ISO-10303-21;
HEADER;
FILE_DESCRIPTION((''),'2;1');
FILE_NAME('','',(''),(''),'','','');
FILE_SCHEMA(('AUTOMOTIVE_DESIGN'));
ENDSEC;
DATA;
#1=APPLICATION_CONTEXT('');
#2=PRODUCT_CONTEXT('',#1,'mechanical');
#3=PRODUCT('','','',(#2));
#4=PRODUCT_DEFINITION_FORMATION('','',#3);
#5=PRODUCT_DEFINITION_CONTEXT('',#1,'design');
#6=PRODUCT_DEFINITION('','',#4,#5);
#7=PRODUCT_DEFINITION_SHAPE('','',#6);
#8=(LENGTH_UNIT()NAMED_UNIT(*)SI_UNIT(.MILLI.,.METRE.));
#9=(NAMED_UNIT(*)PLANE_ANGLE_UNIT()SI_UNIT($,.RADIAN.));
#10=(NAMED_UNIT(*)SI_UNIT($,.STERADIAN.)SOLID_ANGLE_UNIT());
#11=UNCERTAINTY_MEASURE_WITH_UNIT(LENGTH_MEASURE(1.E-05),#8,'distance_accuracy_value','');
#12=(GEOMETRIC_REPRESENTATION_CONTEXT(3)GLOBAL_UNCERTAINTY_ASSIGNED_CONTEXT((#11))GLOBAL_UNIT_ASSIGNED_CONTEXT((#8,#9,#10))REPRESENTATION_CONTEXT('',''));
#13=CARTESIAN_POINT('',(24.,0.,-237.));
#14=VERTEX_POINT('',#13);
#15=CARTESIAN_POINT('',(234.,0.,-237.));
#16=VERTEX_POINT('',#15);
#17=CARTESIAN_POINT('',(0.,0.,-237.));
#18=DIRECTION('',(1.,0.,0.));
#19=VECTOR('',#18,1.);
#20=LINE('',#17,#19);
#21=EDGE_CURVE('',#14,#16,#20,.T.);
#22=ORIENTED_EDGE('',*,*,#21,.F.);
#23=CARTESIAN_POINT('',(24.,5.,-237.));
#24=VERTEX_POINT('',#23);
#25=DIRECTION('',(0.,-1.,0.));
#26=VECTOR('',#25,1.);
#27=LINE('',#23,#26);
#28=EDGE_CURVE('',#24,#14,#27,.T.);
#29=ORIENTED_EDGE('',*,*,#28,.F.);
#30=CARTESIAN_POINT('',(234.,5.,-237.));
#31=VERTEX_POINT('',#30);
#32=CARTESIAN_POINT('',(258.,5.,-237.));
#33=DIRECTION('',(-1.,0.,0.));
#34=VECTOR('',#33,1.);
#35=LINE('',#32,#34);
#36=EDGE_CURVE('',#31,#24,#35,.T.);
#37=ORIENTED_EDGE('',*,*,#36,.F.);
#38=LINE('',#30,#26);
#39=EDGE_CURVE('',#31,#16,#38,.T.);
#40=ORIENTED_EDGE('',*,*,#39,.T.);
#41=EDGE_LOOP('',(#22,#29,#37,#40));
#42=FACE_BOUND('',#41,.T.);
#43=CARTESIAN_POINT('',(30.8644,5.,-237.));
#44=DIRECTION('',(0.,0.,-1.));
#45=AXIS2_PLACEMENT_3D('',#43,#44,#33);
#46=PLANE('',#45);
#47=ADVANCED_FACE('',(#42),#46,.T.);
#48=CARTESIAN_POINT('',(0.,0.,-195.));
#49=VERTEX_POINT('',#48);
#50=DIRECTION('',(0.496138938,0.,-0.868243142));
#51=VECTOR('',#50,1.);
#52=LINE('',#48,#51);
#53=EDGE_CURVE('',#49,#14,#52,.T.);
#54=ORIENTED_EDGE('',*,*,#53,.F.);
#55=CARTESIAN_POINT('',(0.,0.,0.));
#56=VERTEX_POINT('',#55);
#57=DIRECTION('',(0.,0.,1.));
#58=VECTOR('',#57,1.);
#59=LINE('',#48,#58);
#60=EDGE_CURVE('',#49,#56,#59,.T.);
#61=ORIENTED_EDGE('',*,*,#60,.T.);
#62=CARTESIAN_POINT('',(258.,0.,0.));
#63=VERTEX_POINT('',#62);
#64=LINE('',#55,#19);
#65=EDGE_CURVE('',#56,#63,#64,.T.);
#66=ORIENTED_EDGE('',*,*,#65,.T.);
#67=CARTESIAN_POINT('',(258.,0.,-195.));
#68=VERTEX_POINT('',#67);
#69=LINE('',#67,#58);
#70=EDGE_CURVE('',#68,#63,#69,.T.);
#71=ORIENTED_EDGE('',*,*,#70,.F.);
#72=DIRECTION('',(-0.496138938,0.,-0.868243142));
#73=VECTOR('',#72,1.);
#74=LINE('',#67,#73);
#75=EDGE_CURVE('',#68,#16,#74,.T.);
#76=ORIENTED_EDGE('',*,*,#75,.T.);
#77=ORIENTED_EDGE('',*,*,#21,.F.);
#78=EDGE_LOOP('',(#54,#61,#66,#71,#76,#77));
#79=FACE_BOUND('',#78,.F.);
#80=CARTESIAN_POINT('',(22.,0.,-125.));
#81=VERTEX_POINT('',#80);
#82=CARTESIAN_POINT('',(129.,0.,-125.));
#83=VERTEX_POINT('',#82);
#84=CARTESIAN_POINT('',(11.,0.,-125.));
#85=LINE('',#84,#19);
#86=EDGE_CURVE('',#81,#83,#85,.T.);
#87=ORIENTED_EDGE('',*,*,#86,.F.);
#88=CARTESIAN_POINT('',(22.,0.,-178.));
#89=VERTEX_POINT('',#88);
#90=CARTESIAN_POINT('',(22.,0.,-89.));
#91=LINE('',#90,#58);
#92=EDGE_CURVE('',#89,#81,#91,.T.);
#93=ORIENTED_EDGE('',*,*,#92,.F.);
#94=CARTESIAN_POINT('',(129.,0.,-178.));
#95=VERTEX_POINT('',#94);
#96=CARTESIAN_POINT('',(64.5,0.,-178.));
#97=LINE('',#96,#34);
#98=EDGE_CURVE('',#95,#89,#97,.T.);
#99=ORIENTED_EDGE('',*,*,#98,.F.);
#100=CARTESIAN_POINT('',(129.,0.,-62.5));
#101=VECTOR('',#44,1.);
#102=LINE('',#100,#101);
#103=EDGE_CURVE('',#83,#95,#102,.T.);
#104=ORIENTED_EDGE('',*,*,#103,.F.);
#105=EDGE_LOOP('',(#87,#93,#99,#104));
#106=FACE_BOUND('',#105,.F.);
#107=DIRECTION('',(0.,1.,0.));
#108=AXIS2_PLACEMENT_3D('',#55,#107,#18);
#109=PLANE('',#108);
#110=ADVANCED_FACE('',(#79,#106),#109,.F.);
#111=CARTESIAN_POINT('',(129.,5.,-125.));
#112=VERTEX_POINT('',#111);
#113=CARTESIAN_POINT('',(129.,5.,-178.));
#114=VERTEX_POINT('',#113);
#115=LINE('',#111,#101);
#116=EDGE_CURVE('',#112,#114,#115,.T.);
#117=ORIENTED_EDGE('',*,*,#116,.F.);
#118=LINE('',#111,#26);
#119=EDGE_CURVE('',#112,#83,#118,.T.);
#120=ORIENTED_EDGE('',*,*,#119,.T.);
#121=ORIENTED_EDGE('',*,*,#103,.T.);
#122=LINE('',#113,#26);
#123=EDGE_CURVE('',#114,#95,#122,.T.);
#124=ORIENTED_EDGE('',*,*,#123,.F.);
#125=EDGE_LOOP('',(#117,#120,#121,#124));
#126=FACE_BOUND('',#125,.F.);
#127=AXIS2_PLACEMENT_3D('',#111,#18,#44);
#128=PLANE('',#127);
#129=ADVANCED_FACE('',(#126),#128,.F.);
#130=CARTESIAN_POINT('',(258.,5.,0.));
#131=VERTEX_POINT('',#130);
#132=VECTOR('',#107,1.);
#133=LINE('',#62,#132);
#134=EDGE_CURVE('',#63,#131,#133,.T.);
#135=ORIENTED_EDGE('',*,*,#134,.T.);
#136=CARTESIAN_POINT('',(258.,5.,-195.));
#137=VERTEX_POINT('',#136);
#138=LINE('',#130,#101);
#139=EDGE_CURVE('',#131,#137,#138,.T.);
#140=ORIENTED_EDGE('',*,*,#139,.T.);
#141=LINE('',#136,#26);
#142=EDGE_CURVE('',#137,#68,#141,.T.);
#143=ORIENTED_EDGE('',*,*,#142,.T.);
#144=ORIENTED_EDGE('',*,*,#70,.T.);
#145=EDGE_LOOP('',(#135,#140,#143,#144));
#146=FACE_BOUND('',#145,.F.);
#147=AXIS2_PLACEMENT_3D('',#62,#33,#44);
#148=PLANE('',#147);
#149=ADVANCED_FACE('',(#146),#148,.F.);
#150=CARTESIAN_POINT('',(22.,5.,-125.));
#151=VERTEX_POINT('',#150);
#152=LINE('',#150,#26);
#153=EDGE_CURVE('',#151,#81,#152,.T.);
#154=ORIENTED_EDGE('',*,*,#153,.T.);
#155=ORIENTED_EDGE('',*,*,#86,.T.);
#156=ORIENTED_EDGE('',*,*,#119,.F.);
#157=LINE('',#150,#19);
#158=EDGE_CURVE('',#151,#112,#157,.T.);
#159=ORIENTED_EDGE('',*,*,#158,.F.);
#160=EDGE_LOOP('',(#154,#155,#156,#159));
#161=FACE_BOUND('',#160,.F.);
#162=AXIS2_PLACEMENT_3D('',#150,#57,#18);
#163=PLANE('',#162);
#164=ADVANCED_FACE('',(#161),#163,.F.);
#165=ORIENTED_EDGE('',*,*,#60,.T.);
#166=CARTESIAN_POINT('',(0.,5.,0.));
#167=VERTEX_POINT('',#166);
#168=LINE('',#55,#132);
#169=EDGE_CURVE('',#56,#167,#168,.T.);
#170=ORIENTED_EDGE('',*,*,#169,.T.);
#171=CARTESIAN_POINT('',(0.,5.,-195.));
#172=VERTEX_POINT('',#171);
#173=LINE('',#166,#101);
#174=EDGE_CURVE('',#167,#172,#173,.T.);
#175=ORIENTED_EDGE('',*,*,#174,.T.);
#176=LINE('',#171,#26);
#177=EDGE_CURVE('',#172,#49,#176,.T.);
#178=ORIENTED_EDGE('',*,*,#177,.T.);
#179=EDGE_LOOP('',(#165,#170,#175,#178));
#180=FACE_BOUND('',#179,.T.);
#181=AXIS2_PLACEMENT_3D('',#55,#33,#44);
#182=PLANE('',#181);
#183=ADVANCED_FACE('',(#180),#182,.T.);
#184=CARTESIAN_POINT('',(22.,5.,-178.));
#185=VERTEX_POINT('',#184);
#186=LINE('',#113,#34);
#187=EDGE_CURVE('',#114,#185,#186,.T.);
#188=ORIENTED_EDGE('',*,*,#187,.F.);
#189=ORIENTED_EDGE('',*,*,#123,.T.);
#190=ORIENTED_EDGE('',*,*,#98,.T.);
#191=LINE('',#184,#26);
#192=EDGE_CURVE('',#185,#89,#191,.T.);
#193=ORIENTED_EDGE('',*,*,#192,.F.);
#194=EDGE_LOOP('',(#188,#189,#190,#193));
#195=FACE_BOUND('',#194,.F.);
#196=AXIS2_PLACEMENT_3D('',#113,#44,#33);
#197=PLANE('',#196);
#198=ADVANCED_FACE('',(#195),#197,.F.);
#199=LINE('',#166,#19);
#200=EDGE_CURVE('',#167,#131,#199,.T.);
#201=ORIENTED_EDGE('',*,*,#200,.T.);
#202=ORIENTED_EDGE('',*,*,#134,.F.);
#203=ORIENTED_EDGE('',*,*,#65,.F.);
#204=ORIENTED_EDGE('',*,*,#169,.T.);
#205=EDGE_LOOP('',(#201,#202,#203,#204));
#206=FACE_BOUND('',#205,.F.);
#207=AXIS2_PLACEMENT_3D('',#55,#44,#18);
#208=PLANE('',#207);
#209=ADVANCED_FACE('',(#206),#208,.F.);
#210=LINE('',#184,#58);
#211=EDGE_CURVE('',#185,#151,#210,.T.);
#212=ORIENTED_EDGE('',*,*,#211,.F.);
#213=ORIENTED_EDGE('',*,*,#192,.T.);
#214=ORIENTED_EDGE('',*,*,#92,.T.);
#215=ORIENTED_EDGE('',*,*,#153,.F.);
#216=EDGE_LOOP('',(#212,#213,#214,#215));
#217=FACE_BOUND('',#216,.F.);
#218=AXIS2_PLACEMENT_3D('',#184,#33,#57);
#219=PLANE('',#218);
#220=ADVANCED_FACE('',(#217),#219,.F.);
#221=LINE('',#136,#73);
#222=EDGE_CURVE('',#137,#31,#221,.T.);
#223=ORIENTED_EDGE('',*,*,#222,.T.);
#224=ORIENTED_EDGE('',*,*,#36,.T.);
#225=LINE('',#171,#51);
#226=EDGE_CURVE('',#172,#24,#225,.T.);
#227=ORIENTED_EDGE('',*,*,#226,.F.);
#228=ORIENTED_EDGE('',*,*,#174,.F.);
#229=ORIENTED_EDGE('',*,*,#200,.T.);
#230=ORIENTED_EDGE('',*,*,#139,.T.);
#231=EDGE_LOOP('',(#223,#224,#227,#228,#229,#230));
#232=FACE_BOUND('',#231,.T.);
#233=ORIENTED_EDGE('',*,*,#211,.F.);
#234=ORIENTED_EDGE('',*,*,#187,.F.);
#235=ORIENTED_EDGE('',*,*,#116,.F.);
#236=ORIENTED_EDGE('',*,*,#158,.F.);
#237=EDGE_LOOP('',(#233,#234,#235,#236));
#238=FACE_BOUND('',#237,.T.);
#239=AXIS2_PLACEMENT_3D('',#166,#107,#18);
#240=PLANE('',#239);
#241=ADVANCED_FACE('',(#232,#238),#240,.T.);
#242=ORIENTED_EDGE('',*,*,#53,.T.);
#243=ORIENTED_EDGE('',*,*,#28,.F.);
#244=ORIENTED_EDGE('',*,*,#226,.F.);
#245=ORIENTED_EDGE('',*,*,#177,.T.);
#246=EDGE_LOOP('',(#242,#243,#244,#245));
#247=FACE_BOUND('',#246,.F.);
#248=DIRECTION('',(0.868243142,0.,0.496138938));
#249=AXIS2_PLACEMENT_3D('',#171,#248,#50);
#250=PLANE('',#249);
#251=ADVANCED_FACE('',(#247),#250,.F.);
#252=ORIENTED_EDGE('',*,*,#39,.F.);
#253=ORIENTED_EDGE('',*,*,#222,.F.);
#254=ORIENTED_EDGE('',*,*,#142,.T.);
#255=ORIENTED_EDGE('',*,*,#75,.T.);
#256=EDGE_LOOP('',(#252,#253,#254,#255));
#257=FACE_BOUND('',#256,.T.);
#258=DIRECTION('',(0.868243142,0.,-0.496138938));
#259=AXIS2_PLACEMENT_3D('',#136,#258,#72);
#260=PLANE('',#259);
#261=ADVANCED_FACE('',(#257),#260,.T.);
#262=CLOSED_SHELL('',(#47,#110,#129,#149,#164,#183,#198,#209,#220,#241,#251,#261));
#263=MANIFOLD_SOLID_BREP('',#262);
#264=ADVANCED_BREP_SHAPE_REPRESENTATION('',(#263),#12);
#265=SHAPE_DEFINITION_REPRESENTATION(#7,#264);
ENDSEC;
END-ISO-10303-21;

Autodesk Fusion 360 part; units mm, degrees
sketch "Skizze1" plane through (0, 0, 0) normal (0, 1, 0) x (1, 0, 0)
  line L0 (0, 0) -> (258, 0)
  line L1 (258, 0) -> (258, 237)
  line L2 (0, 0) -> (0, 185)
  line L3 (0, 185) -> (258, 185)
  line L4 (258, 237) -> (0, 237)
  line L5 (0, 237) -> (0, 185)
  line L6 (0, 185) -> (24.5, 185)
  line L7 (258, 185) -> (233.5, 185)
  line L8 (24.5, 237) -> (233.5, 237)
  line L9 (0, 185) -> (24.5, 237)
  line L10 (258, 185) -> (233.5, 237)
  dimension "d1" = 258
  dimension "d2" = 237
  dimension "d3" = 185
  dimension "d4" = 24.5
  dimension "d5" = 24.5
  dimension "d6" = 209
extrude "Extrusion1" add sketch "Skizze1" along normal blind 5 contours L0 L1 L2 L3 L6 L7 | L3 L4 L6 L7 L8 L9 L10
sketch "Skizze2" plane through (0, 5, 0) normal (0, 1, 0) x (-1, 0, 0)
  line L0 (0, 0) -> (-258, 0)
  line L1 (-258, 0) -> (-258, -185)
  line L2 (-258, -185) -> (-233.5, -237)
  line L3 (-233.5, -237) -> (-24.5, -237)
  line L4 (-24.5, -237) -> (0, -185)
  line L5 (0, -185) -> (0, 0)
  line L6 (0, -185) -> (-258, -185)
  line L7 (0, 0) -> (0, -125)
  line L8 (0, -125) -> (-22, -125)
  line L9 (-22, -125) -> (-129, -125)
  line L10 (-129, -125) -> (-129, -178)
  line L11 (-129, -178) -> (-22, -178)
  line L12 (-22, -178) -> (-22, -125)
  dimension "d9" = 125
  dimension "d10" = 22
  dimension "d11" = 107
  dimension "d12" = 53
extrude "Extrusion2" cut sketch "Skizze2" against normal blind 50 contours L9 L10 L11 L12
sketch "Skizze3" plane through (0, 5, 0) normal (0, 1, 0) x (-1, 0, 0)
  line L0 (-129, -125) -> (-22, -125)
  line L1 (-22, -125) -> (-22, -178)
  line L2 (-22, -178) -> (-129, -178)
  line L3 (-129, -178) -> (-129, -125)
  line L4 (0, 0) -> (-258, 0)
  line L5 (-258, 0) -> (-258, -185)
  line L6 (-258, -185) -> (-233.5, -237)
  line L7 (-233.5, -237) -> (-24.5, -237)
  line L8 (-24.5, -237) -> (0, -185)
  line L9 (0, -185) -> (0, 0)
  line L10 (0, -185) -> (-30.8644, -237)
  line L11 (-258, -185) -> (-230, -237)
extrude "Extrusion3" cut sketch "Skizze3" against normal blind 30 contours L7 L8 L10 | L6 L7 L11
sketch "Skizze4" plane through (0, 5, 0) normal (0, 1, 0) x (-1, 0, 0)
  line L0 (-30.8644, -237) -> (0, -185)
  line L1 (0, -185) -> (0, 0)
  line L2 (0, 0) -> (-258, 0)
  line L3 (-258, 0) -> (-258, -185)
  line L4 (-258, -185) -> (-230, -237)
  line L5 (-230, -237) -> (-30.8644, -237)
  line L6 (-129, -125) -> (-22, -125)
  line L7 (-22, -125) -> (-22, -178)
  line L8 (-22, -178) -> (-129, -178)
  line L9 (-129, -178) -> (-129, -125)
  line L10 (-30.8644, -237) -> (0, -237)
  line L11 (0, -237) -> (0, -185)
  line L12 (-258, -185) -> (-258, -237)
  line L13 (-258, -237) -> (-230, -237)
extrude "Extrusion4" add sketch "Skizze4" against normal blind 5 contours L0 L10 L11 | L4 L12 L13
sketch "Skizze5" plane through (0, 5, 0) normal (0, 1, 0) x (-1, 0, 0)
  line L0 (0, -237) -> (0, 0)
  line L1 (0, 0) -> (-258, 0)
  line L2 (-258, 0) -> (-258, -237)
  line L3 (-258, -237) -> (-230, -237)
  line L4 (-230, -237) -> (0, -237)
  line L5 (-129, -125) -> (-22, -125)
  line L6 (-22, -125) -> (-22, -178)
  line L7 (-22, -178) -> (-129, -178)
  line L8 (-129, -178) -> (-129, -125)
  line L9 (0, -237) -> (-24, -237)
  line L10 (-258, -237) -> (-234, -237)
  line L11 (0, -237) -> (0, -187)
  line L12 (-258, -237) -> (-258, -187)
  line L13 (0, -187) -> (-24, -237)
  line L14 (-258, -187) -> (-234, -237)
  dimension "d19" = 24
  dimension "d20" = 24
  dimension "d21" = 50
  dimension "d22" = 50
extrude "Extrusion5" cut sketch "Skizze5" against normal blind 45 contours L0 L4 L9 L11 L13 | L2 L3 L10 L12 L14
sketch "Skizze6" plane through (0, 5, 0) normal (0, 1, 0) x (-1, 0, 0)
  line L0 (-24, -237) -> (0, -187)
  line L1 (0, -187) -> (0, 0)
  line L2 (0, 0) -> (-258, 0)
  line L3 (-258, 0) -> (-258, -187)
  line L4 (-258, -187) -> (-234, -237)
  line L5 (-234, -237) -> (-230, -237)
  line L6 (-230, -237) -> (-24, -237)
  line L7 (-129, -125) -> (-22, -125)
  line L8 (-22, -125) -> (-22, -178)
  line L9 (-22, -178) -> (-129, -178)
  line L10 (-129, -178) -> (-129, -125)
  line L11 (0, 0) -> (0, -195)
  line L12 (-258, 0) -> (-258, -195)
  line L13 (0, -195) -> (-24, -237)
  line L14 (-258, -195) -> (-234, -237)
  dimension "d25" = 195
  dimension "d26" = 195
extrude "Extrusion6" add sketch "Skizze6" against normal blind 5 contours L0 L11 L13 | L4 L12 L14
